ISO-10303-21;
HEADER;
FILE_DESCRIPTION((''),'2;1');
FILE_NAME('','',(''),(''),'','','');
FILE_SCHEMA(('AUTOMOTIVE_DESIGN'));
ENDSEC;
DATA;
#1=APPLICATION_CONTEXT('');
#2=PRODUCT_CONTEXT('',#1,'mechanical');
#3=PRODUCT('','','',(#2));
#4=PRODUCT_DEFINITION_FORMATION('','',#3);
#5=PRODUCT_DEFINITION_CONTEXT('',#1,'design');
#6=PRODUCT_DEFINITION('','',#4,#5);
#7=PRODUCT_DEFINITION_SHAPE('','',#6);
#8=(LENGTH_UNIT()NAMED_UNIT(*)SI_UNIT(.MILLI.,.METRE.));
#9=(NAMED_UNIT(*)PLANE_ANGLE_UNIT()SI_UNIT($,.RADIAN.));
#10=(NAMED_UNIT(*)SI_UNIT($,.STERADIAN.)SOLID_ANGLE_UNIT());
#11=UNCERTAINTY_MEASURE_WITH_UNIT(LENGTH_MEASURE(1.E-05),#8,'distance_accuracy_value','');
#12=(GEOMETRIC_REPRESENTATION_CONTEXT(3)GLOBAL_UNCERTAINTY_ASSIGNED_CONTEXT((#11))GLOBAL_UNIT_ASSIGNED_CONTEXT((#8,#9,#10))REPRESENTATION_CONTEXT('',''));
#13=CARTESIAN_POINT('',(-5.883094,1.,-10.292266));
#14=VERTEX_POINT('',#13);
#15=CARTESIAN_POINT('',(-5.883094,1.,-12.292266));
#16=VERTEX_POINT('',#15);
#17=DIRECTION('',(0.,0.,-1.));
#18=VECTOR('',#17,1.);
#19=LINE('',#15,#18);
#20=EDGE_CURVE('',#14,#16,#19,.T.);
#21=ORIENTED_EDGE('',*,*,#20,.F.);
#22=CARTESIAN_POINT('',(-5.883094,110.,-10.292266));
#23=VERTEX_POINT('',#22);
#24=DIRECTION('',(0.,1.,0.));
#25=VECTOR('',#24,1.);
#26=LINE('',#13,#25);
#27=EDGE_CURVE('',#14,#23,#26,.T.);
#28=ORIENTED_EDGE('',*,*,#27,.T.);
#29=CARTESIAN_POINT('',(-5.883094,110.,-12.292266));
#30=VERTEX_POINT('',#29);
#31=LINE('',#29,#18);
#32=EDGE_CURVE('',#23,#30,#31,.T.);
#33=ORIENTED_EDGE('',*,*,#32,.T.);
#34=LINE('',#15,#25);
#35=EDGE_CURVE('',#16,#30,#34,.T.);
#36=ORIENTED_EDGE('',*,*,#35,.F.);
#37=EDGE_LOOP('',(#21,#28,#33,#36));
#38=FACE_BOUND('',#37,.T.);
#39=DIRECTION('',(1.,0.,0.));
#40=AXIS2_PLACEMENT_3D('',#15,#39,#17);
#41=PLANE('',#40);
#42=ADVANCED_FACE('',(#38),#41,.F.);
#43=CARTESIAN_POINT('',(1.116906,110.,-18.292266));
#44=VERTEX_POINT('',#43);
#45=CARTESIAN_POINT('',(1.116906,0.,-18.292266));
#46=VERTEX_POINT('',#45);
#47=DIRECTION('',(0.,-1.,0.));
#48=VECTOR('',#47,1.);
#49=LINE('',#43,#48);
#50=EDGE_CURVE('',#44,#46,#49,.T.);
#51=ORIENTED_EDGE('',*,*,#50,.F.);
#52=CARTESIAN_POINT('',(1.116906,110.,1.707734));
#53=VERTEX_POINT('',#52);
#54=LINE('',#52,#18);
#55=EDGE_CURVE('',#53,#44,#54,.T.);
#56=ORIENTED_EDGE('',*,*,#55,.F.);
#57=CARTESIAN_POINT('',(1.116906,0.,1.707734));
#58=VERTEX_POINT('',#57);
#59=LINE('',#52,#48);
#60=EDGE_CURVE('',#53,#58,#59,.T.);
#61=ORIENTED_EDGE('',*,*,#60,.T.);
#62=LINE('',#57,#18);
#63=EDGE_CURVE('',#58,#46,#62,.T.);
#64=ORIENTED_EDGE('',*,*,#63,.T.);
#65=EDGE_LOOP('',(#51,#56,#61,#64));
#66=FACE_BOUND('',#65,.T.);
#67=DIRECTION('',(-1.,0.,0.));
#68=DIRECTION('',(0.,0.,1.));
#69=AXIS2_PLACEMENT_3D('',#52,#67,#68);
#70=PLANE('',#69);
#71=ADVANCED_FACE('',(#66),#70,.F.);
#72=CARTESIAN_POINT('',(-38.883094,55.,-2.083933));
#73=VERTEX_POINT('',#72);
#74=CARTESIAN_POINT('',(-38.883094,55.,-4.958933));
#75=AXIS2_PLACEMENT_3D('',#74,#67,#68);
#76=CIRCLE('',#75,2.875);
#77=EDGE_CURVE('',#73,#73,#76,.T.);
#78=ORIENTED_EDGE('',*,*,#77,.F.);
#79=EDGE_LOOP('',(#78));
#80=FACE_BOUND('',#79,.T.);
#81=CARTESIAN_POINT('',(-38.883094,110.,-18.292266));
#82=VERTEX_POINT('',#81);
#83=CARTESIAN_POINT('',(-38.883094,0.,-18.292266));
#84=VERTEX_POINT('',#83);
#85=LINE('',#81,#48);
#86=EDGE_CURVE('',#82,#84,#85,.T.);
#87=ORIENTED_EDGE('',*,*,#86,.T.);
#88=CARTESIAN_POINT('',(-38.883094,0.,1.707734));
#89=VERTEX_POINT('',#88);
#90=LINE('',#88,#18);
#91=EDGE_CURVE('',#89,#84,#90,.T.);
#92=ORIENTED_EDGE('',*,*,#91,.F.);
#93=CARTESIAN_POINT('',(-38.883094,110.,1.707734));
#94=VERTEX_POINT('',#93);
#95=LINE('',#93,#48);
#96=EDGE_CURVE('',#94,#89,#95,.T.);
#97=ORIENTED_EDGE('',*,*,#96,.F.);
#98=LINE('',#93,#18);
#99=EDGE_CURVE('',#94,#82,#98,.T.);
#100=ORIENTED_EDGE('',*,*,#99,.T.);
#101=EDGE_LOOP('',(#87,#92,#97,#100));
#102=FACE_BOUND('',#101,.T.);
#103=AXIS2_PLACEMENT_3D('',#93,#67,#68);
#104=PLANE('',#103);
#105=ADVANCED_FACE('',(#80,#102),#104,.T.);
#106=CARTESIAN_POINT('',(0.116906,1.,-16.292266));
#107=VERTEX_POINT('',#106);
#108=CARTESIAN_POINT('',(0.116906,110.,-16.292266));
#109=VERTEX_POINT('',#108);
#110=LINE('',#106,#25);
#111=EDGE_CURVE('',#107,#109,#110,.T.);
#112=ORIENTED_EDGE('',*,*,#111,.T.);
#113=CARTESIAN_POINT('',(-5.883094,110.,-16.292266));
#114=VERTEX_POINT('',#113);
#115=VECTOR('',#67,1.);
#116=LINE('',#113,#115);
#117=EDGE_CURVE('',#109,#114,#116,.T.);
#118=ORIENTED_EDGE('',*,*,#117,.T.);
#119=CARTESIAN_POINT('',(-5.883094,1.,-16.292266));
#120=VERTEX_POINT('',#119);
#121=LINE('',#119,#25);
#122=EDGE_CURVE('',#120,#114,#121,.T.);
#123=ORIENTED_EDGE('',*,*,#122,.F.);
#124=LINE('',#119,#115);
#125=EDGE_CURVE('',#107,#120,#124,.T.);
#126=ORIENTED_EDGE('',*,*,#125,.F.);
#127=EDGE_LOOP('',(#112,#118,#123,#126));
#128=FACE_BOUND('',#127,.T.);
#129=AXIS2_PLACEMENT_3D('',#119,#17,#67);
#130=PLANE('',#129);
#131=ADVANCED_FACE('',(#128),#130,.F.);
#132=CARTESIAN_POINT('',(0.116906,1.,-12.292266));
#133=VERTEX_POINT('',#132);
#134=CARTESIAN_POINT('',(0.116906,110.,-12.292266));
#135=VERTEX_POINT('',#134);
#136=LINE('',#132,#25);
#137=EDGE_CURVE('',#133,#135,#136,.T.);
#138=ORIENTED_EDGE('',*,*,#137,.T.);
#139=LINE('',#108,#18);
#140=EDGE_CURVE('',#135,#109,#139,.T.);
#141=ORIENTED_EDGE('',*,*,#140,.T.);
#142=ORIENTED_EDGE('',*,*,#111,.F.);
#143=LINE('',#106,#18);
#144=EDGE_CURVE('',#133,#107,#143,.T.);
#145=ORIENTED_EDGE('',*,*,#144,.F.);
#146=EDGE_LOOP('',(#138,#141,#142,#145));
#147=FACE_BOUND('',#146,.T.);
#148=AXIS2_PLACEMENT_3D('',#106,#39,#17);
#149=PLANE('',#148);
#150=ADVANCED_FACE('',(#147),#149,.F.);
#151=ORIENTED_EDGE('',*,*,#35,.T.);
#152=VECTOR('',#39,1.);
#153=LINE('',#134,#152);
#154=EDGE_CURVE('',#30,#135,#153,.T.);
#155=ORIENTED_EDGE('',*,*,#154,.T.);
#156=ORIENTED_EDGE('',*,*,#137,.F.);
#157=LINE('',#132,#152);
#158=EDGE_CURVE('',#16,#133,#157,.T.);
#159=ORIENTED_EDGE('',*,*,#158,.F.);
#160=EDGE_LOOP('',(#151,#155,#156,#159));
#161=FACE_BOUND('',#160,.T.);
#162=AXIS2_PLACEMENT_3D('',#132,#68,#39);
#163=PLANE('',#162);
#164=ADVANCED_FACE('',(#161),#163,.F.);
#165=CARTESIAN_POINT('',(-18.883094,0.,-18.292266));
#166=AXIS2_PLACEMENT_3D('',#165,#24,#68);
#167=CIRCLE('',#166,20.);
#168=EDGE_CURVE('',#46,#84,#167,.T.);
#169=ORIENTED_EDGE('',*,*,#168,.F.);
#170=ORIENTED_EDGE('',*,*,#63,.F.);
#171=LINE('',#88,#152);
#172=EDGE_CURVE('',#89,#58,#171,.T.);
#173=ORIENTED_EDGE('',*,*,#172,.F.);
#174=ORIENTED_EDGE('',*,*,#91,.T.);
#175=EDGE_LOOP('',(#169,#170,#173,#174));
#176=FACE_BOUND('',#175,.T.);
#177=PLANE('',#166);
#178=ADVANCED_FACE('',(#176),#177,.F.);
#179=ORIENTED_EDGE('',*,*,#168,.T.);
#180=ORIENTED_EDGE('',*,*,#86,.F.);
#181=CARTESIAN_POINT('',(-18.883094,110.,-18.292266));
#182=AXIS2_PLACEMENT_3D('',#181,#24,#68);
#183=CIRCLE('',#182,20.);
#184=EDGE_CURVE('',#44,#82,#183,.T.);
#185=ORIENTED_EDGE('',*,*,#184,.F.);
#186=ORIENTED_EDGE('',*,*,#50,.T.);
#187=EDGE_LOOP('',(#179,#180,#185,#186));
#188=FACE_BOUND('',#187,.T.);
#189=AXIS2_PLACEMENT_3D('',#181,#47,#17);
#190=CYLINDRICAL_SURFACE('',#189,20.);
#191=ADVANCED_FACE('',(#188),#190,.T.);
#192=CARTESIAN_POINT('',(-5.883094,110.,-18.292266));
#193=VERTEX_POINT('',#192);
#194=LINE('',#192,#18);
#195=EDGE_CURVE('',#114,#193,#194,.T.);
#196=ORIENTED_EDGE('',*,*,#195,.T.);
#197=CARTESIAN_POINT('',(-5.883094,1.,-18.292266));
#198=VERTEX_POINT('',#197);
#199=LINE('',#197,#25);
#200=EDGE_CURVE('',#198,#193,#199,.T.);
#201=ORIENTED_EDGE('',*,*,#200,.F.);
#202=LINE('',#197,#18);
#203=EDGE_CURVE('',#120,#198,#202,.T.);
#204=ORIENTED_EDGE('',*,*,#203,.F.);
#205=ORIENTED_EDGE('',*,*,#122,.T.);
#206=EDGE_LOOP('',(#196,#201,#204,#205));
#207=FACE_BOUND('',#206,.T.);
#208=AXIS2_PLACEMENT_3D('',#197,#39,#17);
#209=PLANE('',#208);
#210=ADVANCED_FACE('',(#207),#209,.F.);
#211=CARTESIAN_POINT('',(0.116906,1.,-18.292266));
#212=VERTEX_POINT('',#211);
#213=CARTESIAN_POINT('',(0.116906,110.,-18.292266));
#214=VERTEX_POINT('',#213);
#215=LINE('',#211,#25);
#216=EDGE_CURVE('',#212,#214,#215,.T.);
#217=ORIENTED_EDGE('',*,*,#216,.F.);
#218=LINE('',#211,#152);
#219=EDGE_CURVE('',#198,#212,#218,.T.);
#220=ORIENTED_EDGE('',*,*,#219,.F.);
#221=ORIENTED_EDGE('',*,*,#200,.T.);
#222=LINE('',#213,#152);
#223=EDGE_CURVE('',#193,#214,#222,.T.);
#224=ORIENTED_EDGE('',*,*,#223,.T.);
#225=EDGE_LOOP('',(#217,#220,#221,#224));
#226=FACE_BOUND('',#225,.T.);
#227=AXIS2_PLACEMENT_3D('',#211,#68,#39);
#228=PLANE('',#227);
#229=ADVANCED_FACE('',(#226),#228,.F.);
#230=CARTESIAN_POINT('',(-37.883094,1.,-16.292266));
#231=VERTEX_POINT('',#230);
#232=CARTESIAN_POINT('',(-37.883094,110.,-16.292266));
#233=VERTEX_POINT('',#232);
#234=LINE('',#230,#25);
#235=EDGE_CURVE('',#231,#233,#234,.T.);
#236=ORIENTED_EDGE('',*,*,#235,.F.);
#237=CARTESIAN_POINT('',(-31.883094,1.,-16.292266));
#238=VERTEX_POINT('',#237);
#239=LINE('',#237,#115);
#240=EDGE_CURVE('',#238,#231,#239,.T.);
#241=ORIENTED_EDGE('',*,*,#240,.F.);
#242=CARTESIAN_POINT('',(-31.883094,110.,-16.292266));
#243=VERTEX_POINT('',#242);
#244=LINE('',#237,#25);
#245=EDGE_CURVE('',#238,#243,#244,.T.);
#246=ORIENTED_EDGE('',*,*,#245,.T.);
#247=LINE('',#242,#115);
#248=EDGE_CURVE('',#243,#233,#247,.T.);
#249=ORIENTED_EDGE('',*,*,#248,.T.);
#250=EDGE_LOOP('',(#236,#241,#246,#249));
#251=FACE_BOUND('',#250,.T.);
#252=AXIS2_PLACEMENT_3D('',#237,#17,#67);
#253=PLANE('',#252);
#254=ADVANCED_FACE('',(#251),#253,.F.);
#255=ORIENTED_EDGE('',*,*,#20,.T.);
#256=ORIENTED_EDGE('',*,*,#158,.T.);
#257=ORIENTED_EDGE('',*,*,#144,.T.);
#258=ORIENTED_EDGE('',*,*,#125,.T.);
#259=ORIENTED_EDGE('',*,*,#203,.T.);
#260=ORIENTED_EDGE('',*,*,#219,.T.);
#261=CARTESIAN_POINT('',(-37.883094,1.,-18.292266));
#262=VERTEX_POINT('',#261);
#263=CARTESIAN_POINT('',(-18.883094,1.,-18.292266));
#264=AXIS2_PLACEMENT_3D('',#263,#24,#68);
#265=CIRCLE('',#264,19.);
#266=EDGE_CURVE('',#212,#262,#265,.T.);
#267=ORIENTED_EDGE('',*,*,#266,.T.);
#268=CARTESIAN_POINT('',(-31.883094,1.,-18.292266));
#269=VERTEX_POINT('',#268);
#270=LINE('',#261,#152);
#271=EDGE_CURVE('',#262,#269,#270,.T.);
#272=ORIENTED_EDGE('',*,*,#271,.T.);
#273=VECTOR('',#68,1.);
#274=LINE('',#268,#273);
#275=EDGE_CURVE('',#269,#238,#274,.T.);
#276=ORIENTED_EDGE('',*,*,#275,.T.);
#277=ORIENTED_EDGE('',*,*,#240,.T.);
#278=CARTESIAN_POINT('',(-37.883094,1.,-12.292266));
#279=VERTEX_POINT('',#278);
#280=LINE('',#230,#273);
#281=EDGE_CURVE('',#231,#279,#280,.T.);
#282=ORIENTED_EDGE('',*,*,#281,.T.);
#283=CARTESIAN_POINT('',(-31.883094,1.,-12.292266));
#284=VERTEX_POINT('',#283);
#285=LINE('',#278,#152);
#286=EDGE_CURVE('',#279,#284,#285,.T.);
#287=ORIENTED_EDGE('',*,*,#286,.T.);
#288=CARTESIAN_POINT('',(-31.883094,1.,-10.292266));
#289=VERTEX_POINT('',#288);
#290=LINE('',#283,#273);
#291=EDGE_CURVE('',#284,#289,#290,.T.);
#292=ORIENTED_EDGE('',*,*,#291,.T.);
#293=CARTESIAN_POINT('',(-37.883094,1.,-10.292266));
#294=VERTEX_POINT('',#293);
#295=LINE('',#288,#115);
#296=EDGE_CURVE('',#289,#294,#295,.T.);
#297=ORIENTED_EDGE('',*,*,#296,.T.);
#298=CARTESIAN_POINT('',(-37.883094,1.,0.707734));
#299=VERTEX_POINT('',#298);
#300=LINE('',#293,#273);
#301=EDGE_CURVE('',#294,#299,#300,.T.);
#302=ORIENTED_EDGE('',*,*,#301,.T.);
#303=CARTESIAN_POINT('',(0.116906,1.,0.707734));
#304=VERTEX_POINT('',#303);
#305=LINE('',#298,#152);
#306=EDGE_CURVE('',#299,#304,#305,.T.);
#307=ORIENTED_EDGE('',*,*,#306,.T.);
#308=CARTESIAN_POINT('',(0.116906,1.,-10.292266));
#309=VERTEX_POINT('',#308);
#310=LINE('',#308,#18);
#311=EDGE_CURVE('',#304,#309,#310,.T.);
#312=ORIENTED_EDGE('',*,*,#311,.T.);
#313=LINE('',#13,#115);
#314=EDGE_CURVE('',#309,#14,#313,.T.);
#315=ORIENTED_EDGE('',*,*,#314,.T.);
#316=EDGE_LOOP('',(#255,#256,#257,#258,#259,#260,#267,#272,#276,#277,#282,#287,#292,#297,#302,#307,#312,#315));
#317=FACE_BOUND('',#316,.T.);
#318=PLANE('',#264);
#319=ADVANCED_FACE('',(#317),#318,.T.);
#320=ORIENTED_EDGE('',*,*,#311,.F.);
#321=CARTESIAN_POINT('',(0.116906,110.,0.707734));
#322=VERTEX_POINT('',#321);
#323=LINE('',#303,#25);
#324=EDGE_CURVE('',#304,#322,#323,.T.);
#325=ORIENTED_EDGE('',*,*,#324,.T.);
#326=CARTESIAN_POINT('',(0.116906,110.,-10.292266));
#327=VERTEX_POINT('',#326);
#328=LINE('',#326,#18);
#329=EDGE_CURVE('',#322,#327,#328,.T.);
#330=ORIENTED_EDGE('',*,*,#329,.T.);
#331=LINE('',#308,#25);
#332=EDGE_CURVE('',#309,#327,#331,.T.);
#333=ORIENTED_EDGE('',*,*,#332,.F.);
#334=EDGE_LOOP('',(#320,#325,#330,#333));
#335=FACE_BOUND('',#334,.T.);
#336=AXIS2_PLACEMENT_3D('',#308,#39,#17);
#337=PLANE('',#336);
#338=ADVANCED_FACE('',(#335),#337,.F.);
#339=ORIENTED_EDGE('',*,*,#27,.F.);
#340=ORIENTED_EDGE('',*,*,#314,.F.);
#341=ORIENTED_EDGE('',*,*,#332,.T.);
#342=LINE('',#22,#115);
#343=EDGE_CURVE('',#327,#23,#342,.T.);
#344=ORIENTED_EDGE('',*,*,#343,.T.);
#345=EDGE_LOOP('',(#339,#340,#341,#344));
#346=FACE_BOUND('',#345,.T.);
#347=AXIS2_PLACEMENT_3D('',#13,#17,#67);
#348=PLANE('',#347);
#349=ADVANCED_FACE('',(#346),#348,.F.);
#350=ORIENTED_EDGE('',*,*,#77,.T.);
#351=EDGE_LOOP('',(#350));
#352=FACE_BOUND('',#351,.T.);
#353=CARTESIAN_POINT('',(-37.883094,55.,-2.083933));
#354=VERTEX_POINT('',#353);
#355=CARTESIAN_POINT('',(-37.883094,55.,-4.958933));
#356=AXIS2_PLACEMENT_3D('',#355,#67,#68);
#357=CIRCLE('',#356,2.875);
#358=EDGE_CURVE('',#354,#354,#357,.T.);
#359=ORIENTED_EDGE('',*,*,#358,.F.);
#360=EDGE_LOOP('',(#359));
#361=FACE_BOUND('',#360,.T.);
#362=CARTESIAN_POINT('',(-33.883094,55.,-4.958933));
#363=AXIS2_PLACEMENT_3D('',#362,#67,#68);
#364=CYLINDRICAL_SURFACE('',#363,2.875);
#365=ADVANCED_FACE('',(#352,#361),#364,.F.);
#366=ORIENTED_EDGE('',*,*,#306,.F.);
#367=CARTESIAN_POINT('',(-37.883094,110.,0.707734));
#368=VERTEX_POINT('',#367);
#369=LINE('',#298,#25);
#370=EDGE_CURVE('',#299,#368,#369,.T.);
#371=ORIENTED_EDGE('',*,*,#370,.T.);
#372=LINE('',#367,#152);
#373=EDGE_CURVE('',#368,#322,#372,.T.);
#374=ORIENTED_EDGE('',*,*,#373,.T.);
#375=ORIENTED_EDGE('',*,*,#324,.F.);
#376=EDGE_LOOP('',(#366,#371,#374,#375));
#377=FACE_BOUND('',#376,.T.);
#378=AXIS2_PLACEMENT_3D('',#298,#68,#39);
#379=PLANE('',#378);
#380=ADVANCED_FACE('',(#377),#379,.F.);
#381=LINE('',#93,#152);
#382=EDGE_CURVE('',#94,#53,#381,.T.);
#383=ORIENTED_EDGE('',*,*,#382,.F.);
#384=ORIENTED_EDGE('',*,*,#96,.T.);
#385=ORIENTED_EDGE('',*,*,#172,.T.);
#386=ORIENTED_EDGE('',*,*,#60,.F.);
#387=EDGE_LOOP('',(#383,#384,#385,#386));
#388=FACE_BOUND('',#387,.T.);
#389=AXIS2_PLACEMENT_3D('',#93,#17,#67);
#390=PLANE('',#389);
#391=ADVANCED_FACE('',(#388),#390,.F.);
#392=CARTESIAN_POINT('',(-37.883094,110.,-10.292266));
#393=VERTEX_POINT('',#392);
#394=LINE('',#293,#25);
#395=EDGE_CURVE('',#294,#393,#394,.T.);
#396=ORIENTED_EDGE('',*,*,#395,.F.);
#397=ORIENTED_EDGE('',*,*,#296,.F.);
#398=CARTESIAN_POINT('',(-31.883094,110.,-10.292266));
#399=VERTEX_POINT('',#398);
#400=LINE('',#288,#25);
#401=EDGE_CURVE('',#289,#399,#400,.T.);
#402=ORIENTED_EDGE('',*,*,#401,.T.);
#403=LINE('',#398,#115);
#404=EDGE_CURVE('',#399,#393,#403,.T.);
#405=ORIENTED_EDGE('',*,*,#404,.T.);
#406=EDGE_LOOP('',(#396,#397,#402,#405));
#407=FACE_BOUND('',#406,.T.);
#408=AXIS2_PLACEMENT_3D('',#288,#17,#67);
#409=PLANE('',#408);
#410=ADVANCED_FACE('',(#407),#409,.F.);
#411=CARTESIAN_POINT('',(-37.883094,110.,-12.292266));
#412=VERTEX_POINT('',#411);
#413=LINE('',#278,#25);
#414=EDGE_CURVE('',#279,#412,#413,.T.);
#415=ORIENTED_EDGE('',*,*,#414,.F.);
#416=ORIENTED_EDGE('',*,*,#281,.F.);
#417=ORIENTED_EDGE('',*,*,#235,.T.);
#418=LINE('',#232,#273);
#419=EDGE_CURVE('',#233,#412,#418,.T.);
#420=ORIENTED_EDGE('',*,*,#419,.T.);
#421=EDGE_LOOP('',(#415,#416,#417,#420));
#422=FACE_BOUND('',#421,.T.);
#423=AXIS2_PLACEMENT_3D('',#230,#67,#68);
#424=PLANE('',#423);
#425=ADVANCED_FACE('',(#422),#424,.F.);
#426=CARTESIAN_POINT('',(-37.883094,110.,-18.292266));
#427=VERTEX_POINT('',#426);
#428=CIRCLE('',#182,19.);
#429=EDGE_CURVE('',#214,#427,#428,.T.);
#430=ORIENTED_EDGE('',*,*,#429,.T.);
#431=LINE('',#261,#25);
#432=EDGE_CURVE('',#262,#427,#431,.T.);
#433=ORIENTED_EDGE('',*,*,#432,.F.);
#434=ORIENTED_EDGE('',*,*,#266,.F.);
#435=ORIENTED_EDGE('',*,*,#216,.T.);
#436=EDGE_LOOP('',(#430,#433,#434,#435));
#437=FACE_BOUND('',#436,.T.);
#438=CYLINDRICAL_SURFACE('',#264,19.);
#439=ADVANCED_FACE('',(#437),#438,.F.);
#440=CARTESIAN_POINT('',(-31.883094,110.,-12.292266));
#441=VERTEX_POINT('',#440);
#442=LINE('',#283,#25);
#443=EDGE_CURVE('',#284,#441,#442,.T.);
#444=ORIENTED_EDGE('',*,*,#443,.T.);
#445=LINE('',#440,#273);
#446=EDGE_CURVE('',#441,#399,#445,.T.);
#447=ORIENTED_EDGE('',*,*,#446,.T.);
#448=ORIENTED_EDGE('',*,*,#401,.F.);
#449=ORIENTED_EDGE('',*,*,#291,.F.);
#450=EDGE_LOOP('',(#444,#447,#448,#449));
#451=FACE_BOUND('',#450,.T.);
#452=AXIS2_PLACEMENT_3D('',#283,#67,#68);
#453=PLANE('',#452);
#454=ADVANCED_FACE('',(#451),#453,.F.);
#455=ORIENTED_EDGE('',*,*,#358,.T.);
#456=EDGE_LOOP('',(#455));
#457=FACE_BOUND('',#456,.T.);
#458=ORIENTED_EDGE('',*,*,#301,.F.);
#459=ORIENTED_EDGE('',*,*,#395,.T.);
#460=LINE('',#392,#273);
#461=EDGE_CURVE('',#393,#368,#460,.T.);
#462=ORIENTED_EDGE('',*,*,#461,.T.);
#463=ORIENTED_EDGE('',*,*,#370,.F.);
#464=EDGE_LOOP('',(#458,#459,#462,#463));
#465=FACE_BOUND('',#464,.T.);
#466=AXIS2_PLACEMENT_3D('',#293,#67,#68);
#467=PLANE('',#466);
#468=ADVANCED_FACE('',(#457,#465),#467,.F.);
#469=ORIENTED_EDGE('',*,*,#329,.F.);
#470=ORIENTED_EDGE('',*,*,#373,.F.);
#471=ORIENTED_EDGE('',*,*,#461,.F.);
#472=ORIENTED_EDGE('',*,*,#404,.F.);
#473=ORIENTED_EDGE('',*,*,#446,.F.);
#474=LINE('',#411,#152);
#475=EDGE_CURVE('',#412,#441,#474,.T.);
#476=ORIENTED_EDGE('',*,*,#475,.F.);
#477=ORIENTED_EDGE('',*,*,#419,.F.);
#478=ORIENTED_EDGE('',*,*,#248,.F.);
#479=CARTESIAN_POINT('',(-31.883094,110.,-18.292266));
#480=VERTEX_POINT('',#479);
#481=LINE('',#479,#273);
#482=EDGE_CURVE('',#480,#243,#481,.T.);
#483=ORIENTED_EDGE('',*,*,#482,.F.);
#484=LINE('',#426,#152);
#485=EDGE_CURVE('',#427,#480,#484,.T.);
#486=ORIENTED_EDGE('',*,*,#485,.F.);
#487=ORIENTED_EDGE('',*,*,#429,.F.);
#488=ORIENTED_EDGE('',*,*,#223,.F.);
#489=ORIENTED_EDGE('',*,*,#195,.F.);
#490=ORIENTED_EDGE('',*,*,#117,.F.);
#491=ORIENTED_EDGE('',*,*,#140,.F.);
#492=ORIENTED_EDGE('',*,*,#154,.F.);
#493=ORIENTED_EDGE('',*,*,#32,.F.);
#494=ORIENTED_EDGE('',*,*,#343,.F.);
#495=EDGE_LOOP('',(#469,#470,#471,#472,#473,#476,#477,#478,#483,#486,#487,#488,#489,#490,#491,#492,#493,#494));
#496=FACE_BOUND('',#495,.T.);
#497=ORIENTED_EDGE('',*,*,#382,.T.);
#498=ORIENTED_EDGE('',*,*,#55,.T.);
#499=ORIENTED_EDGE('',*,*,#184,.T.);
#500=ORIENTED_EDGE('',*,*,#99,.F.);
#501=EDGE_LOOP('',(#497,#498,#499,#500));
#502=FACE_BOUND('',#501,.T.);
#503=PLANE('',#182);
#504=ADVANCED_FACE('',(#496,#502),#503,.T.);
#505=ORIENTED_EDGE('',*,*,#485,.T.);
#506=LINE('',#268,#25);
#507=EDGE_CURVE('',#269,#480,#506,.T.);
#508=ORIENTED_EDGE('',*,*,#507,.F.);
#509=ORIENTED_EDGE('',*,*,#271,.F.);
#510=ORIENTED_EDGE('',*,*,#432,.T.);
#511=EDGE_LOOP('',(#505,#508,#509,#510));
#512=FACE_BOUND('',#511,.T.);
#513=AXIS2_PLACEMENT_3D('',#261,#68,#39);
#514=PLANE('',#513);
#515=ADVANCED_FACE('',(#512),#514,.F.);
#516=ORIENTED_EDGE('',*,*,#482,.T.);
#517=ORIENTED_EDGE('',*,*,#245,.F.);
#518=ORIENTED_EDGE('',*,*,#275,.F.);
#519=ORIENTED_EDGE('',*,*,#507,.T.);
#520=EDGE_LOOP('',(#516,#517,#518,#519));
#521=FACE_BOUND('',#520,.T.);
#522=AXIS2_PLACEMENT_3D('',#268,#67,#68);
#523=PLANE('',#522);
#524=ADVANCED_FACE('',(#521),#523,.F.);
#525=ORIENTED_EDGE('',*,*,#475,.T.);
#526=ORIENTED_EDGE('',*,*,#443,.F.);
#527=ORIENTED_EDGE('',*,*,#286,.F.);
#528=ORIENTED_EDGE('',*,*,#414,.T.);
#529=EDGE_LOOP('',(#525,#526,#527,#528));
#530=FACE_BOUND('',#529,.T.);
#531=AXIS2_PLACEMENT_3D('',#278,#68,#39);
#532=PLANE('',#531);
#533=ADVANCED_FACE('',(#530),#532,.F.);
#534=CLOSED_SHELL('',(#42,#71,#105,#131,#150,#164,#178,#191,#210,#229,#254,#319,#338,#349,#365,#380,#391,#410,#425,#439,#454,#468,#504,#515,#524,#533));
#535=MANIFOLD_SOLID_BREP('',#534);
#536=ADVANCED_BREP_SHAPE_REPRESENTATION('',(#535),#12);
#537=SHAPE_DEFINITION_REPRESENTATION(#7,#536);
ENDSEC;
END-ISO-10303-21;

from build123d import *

# Parameters (mm, degrees)
BOSS_EXTRUDE1_DEPTH = 110
CUT_EXTRUDE1_DEPTH  = 109
SKETCH3_R           = 2.875
CUT_EXTRUDE2_DEPTH  = 5


with BuildPart() as part:
    # Sketch1 → Boss-Extrude1 (new body)
    with BuildSketch(Plane(origin=(0, 0, 0), x_dir=(1, 0, 0), z_dir=(0, 1, 0))):
        with BuildLine():
            Line((-38.883093525, -1.707733813), (1.116906475, -1.707733813))
            Line((1.116906475, -1.707733813), (1.116906475, 18.292266187))
            ThreePointArc((1.116906475, 18.292266187), (-18.883093525, 38.292266187), (-38.883093525, 18.292266187))
            Line((-38.883093525, 18.292266187), (-38.883093525, -1.707733813))
        make_face()
    extrude(amount=BOSS_EXTRUDE1_DEPTH)

    # Sketch2 → Cut-Extrude1 (cut)
    with BuildSketch(Plane(origin=(0, 110, 0), x_dir=(1, 0, 0), z_dir=(0, 1, 0))):
        with BuildLine():
            Line((-37.883093525, 16.292266187), (-37.883093525, 12.292266187))
            Line((-37.883093525, 12.292266187), (-31.883093525, 12.292266187))
            Line((-31.883093525, 12.292266187), (-31.883093525, 10.292266187))
            Line((-31.883093525, 10.292266187), (-37.883093525, 10.292266187))
            Line((-37.883093525, 10.292266187), (-37.883093525, -0.707733813))
            Line((-37.883093525, -0.707733813), (0.116906475, -0.707733813))
            Line((0.116906475, -0.707733813), (0.116906475, 10.292266187))
            Line((0.116906475, 10.292266187), (-5.883093525, 10.292266187))
            Line((-5.883093525, 10.292266187), (-5.883093525, 12.292266187))
            Line((-5.883093525, 12.292266187), (0.116906475, 12.292266187))
            Line((0.116906475, 12.292266187), (0.116906475, 16.292266187))
            Line((0.116906475, 16.292266187), (-5.883093525, 16.292266187))
            Line((-5.883093525, 16.292266187), (-5.883093525, 18.292266187))
            Line((-5.883093525, 18.292266187), (0.116906475, 18.292266187))
            ThreePointArc((0.116906475, 18.292266187), (-18.883093525, 37.292266187), (-37.883093525, 18.292266187))
            Line((-37.883093525, 18.292266187), (-31.883093525, 18.292266187))
            Line((-31.883093525, 18.292266187), (-31.883093525, 16.292266187))
            Line((-31.883093525, 16.292266187), (-37.883093525, 16.292266187))
        make_face()
    extrude(amount=-CUT_EXTRUDE1_DEPTH, mode=Mode.SUBTRACT)

    # Sketch3 → Cut-Extrude2 (cut)
    with BuildSketch(Plane.ZY.offset(38.883093525)):
        with Locations((-4.958932854, 55)):
            Circle(SKETCH3_R)
    extrude(amount=-CUT_EXTRUDE2_DEPTH, mode=Mode.SUBTRACT)


solid = part.part
